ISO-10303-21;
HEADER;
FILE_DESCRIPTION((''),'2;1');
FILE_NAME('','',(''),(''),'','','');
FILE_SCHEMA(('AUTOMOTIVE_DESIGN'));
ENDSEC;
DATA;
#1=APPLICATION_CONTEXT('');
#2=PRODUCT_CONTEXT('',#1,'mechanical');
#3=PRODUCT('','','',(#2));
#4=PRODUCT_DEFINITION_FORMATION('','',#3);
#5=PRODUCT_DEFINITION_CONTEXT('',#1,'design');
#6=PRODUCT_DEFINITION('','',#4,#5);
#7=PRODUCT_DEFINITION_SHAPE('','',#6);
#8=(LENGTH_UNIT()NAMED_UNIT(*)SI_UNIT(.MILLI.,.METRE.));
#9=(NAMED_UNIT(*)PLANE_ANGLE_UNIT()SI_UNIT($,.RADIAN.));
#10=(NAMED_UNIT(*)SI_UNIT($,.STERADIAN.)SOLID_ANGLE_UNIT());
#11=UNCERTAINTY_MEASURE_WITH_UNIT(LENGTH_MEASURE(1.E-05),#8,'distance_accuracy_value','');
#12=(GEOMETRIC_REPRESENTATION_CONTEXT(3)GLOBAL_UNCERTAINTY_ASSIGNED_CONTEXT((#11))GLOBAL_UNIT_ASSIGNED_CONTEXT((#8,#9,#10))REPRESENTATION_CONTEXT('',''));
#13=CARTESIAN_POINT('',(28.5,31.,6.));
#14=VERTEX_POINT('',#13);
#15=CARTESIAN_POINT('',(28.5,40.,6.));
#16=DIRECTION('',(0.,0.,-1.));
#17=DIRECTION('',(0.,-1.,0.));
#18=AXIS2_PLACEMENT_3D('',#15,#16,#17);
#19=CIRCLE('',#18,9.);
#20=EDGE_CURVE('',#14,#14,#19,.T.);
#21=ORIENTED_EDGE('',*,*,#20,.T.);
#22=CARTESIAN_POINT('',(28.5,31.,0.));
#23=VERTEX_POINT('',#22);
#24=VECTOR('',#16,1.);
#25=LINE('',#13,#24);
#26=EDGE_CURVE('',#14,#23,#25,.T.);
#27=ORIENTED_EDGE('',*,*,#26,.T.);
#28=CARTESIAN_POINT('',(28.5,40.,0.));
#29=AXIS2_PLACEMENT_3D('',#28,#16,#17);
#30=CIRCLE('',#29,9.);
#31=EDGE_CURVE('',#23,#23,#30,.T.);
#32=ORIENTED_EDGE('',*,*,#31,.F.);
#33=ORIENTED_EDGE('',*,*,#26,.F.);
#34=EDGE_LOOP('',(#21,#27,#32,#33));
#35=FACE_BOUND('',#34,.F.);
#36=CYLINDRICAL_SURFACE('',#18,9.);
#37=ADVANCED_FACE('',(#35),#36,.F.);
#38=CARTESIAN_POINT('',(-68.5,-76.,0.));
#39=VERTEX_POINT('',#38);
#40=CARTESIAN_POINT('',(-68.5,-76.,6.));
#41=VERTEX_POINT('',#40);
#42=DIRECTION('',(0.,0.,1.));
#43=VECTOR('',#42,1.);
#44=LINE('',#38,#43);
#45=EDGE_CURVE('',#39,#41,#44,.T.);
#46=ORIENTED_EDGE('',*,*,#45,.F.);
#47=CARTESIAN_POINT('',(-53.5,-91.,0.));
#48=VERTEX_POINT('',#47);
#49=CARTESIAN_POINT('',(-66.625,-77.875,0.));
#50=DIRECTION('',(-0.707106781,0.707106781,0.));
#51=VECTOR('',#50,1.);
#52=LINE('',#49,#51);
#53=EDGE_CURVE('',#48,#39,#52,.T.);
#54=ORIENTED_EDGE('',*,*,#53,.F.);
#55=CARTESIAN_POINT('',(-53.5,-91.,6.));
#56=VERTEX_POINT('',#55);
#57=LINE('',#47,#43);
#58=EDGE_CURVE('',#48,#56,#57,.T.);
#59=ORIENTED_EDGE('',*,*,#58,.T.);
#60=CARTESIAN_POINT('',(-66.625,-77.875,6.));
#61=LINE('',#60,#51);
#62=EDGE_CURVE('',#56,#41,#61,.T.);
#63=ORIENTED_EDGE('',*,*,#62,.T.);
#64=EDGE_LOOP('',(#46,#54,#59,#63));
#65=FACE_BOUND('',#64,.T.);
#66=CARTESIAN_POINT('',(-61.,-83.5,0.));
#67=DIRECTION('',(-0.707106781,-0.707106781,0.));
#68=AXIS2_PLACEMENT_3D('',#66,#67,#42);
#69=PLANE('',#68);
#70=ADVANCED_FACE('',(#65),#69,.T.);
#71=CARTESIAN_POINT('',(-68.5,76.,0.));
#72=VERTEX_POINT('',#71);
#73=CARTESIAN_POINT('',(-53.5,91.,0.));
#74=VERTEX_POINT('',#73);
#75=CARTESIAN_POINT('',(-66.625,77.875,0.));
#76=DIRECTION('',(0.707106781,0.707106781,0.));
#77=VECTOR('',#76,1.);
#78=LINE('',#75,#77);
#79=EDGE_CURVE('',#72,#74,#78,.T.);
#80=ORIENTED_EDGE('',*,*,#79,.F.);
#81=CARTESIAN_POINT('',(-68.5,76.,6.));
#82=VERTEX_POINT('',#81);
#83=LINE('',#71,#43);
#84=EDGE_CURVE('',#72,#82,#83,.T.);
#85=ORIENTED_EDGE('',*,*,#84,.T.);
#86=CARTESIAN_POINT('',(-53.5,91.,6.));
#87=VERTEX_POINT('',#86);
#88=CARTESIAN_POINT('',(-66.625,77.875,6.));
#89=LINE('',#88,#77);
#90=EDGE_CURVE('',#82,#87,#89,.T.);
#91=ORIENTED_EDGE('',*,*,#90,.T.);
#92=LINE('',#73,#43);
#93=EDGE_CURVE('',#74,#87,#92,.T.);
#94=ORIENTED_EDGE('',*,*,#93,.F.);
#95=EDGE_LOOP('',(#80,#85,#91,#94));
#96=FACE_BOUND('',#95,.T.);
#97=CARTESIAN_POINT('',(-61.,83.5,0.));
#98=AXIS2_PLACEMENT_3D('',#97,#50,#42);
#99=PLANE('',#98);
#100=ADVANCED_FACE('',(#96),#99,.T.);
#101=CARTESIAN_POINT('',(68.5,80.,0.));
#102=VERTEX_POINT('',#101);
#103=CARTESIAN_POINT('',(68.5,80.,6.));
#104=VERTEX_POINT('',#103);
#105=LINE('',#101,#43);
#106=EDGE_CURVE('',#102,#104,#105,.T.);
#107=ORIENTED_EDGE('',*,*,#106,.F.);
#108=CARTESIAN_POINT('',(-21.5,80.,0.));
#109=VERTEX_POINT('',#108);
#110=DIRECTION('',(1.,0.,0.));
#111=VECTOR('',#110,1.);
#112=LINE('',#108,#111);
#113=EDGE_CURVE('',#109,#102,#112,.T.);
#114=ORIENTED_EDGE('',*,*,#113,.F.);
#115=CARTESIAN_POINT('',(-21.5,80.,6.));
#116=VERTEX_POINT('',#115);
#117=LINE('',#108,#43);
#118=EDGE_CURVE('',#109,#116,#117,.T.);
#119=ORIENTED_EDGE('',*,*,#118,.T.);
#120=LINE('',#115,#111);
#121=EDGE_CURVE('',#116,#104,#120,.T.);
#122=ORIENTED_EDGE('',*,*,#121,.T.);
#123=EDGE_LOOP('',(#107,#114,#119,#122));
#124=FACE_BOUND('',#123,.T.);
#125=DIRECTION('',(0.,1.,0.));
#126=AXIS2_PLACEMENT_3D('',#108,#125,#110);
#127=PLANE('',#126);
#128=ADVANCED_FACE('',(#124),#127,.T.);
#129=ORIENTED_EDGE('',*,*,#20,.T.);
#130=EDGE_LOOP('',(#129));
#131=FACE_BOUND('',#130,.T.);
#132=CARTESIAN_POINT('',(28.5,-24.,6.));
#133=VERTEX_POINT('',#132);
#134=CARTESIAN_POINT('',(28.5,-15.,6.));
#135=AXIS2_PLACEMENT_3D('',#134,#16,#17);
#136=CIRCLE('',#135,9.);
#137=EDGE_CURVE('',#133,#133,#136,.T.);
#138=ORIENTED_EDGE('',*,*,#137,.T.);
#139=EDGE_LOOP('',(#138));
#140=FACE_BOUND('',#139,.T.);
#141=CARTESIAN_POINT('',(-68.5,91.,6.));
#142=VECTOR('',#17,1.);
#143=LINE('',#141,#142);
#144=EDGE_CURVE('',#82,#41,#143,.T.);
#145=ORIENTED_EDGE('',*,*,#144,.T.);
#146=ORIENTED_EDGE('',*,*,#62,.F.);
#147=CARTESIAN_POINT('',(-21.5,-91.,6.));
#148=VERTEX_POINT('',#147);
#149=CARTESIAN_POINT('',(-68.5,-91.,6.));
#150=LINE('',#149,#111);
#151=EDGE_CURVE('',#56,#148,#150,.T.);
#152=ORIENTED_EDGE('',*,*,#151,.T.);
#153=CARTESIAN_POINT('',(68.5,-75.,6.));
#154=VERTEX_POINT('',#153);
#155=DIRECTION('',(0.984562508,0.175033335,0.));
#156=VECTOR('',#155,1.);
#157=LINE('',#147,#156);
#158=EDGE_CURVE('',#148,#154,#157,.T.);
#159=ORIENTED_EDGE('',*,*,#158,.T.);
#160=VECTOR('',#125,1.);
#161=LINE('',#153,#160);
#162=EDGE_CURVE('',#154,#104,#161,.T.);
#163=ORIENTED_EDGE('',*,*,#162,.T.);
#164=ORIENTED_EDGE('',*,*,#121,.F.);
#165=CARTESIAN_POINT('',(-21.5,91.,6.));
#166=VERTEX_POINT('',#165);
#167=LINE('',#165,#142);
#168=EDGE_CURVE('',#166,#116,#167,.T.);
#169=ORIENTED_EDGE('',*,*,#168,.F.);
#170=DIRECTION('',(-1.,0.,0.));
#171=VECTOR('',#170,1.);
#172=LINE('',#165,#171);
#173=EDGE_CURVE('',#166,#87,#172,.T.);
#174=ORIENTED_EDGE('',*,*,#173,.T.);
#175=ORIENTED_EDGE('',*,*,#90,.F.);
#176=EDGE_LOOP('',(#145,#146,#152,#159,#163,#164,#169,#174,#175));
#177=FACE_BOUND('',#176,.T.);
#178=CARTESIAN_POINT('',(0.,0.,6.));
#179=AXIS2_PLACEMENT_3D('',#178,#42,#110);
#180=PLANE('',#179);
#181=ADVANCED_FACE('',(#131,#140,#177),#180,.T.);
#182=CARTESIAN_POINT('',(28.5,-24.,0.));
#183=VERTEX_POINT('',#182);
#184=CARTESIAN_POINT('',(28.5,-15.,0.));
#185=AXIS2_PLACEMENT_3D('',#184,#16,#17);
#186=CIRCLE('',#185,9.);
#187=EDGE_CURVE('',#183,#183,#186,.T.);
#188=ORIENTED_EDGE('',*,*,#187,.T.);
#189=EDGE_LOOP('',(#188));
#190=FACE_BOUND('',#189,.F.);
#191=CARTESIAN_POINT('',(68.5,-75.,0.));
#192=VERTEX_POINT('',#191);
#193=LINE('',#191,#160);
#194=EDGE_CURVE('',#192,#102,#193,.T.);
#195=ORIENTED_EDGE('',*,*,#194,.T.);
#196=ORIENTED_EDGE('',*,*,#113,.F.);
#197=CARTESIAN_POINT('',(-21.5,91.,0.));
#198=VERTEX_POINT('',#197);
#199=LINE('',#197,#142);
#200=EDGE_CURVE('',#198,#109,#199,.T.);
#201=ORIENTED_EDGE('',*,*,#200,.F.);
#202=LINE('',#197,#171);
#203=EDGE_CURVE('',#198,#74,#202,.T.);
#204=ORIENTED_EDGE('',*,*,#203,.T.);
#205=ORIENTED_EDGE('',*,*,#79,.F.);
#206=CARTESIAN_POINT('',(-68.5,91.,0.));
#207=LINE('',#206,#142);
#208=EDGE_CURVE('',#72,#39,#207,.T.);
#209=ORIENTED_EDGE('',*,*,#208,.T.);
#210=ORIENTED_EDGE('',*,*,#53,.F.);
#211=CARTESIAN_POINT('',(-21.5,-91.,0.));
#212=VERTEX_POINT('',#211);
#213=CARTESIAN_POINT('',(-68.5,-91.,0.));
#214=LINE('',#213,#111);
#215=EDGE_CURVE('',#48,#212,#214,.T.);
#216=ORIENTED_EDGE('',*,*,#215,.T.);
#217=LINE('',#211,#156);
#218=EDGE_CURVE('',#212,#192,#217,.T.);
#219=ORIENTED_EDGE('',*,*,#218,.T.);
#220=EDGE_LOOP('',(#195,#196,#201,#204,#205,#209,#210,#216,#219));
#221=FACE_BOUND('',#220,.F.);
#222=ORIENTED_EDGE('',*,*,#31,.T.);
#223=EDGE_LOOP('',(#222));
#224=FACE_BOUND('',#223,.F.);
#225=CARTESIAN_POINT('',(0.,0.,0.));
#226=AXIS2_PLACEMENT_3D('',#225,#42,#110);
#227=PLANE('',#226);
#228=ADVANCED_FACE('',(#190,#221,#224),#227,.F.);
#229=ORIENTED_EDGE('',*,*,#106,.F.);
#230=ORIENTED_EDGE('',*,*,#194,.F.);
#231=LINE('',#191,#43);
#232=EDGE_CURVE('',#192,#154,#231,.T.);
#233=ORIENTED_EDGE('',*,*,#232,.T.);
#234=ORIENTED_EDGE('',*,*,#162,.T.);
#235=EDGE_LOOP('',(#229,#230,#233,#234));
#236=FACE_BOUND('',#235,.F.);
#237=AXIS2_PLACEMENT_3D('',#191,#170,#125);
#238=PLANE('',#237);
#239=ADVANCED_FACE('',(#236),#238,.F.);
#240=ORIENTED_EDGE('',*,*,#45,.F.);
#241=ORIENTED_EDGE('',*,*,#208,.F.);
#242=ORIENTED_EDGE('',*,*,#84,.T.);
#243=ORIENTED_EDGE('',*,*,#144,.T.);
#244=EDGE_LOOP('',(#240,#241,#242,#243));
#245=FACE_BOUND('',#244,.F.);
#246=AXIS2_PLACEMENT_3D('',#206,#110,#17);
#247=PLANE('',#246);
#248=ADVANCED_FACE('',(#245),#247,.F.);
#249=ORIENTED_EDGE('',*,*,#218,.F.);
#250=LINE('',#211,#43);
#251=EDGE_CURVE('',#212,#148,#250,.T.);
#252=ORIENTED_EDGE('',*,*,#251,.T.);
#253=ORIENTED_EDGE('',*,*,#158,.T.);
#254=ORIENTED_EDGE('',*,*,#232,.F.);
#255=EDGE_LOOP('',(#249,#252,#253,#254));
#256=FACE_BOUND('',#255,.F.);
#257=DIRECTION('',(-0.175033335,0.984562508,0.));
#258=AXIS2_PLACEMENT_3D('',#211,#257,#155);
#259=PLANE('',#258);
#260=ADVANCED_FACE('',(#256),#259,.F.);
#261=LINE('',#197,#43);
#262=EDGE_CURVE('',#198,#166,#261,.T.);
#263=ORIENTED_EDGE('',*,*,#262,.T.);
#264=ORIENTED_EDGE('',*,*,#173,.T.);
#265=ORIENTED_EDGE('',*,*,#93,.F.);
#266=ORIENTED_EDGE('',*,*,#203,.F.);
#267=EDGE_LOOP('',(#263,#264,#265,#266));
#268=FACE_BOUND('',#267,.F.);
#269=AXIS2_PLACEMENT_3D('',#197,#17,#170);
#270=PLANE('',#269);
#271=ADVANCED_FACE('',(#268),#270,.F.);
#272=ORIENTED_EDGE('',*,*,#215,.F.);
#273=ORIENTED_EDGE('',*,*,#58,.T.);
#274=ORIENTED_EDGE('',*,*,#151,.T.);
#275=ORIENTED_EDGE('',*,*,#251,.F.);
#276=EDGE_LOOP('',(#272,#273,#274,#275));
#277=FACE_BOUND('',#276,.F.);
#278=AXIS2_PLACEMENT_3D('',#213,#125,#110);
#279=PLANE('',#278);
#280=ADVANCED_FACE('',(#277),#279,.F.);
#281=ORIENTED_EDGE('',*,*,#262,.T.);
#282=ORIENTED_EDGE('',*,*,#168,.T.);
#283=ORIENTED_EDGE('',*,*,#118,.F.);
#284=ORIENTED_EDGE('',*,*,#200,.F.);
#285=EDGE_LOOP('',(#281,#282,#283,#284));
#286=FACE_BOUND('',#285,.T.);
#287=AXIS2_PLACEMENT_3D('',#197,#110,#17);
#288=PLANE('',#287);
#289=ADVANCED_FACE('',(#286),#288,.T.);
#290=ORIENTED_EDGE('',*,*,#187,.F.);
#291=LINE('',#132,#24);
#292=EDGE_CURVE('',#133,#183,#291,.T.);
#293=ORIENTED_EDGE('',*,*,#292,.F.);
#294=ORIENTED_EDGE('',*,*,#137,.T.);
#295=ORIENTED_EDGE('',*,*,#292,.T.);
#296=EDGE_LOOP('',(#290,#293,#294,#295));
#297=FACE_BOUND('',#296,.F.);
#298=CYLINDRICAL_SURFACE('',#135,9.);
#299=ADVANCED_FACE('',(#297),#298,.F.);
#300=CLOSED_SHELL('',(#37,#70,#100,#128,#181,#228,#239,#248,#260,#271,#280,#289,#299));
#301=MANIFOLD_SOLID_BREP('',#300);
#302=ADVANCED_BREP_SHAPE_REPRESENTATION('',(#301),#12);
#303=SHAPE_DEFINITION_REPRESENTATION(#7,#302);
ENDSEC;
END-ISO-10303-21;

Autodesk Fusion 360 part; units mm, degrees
sketch "スケッチ1" plane through (0, 0, 0) normal (0, 0, 1) x (1, 0, 0)
  line L0 (-21.5, 91) -> (-68.5, 91)
  line L1 (-68.5, 91) -> (-68.5, -91)
  line L2 (-68.5, -91) -> (-21.5, -91)
  line L3 (68.5, -75) -> (68.5, 80)
  line L4 (60.2198, 80) -> (-68.5, -91) construction
  line L5 (-68.5, 91) -> (57.8776, -76.8884) construction
  line L6 (-21.5, 91) -> (-21.5, 80)
  line L7 (-21.5, 80) -> (68.5, 80)
  line L8 (-68.5, -91) -> (-21.5, -91) construction
  line L9 (-21.5, -91) -> (68.5, -75)
  dimension "d2" = 182
  dimension "d5" = 47
extrude "押し出し1" add sketch "スケッチ1" along normal blind 6
chamfer "面取り1" distance 15 angle 45 2 edges at (-68.5, -91, 3) (-68.5, 91, 3)
sketch "スケッチ2" plane through (0, 0, 6) normal (0, 0, 1) x (-1, 0, 0)
  line L0 (53.5, -91) -> (68.5, -76)
  line L1 (68.5, -76) -> (68.5, 76)
  line L2 (68.5, 76) -> (53.5, 91)
  line L3 (53.5, 91) -> (21.5, 91)
  line L4 (21.5, 91) -> (-68.5, 75)
  line L5 (-68.5, 75) -> (-68.5, -80)
  line L6 (-68.5, -80) -> (21.5, -80)
  line L7 (21.5, -80) -> (21.5, -91)
  line L8 (21.5, -91) -> (53.5, -91)
  line L9 (-68.5, -80) -> (-28.5, -80) construction
  line L10 (-28.5, -80) -> (-28.5, -40) construction
  line L11 (-28.5, -40) -> (-68.5, -40) construction
  line L12 (-68.5, -40) -> (-68.5, -80) construction
  line L13 (-68.5, -40) -> (-28.5, -40) construction
  line L14 (-28.5, -40) -> (-28.5, 15) construction
  line L15 (-28.5, 15) -> (-68.5, 15) construction
  line L16 (-68.5, 15) -> (-68.5, -40) construction
  point P0 (-28.5, -40)
  point P1 (-28.5, 15)
  dimension "d10" = 40
  dimension "d11" = 40
  dimension "d12" = 40
  dimension "d13" = 55
hole "穴1" at (28.5, 40, 6) at (28.5, -15, 6) direction (0, 0, -1) diameter 18 end through all
equation "d5 = 15 mm + 32 mm"
